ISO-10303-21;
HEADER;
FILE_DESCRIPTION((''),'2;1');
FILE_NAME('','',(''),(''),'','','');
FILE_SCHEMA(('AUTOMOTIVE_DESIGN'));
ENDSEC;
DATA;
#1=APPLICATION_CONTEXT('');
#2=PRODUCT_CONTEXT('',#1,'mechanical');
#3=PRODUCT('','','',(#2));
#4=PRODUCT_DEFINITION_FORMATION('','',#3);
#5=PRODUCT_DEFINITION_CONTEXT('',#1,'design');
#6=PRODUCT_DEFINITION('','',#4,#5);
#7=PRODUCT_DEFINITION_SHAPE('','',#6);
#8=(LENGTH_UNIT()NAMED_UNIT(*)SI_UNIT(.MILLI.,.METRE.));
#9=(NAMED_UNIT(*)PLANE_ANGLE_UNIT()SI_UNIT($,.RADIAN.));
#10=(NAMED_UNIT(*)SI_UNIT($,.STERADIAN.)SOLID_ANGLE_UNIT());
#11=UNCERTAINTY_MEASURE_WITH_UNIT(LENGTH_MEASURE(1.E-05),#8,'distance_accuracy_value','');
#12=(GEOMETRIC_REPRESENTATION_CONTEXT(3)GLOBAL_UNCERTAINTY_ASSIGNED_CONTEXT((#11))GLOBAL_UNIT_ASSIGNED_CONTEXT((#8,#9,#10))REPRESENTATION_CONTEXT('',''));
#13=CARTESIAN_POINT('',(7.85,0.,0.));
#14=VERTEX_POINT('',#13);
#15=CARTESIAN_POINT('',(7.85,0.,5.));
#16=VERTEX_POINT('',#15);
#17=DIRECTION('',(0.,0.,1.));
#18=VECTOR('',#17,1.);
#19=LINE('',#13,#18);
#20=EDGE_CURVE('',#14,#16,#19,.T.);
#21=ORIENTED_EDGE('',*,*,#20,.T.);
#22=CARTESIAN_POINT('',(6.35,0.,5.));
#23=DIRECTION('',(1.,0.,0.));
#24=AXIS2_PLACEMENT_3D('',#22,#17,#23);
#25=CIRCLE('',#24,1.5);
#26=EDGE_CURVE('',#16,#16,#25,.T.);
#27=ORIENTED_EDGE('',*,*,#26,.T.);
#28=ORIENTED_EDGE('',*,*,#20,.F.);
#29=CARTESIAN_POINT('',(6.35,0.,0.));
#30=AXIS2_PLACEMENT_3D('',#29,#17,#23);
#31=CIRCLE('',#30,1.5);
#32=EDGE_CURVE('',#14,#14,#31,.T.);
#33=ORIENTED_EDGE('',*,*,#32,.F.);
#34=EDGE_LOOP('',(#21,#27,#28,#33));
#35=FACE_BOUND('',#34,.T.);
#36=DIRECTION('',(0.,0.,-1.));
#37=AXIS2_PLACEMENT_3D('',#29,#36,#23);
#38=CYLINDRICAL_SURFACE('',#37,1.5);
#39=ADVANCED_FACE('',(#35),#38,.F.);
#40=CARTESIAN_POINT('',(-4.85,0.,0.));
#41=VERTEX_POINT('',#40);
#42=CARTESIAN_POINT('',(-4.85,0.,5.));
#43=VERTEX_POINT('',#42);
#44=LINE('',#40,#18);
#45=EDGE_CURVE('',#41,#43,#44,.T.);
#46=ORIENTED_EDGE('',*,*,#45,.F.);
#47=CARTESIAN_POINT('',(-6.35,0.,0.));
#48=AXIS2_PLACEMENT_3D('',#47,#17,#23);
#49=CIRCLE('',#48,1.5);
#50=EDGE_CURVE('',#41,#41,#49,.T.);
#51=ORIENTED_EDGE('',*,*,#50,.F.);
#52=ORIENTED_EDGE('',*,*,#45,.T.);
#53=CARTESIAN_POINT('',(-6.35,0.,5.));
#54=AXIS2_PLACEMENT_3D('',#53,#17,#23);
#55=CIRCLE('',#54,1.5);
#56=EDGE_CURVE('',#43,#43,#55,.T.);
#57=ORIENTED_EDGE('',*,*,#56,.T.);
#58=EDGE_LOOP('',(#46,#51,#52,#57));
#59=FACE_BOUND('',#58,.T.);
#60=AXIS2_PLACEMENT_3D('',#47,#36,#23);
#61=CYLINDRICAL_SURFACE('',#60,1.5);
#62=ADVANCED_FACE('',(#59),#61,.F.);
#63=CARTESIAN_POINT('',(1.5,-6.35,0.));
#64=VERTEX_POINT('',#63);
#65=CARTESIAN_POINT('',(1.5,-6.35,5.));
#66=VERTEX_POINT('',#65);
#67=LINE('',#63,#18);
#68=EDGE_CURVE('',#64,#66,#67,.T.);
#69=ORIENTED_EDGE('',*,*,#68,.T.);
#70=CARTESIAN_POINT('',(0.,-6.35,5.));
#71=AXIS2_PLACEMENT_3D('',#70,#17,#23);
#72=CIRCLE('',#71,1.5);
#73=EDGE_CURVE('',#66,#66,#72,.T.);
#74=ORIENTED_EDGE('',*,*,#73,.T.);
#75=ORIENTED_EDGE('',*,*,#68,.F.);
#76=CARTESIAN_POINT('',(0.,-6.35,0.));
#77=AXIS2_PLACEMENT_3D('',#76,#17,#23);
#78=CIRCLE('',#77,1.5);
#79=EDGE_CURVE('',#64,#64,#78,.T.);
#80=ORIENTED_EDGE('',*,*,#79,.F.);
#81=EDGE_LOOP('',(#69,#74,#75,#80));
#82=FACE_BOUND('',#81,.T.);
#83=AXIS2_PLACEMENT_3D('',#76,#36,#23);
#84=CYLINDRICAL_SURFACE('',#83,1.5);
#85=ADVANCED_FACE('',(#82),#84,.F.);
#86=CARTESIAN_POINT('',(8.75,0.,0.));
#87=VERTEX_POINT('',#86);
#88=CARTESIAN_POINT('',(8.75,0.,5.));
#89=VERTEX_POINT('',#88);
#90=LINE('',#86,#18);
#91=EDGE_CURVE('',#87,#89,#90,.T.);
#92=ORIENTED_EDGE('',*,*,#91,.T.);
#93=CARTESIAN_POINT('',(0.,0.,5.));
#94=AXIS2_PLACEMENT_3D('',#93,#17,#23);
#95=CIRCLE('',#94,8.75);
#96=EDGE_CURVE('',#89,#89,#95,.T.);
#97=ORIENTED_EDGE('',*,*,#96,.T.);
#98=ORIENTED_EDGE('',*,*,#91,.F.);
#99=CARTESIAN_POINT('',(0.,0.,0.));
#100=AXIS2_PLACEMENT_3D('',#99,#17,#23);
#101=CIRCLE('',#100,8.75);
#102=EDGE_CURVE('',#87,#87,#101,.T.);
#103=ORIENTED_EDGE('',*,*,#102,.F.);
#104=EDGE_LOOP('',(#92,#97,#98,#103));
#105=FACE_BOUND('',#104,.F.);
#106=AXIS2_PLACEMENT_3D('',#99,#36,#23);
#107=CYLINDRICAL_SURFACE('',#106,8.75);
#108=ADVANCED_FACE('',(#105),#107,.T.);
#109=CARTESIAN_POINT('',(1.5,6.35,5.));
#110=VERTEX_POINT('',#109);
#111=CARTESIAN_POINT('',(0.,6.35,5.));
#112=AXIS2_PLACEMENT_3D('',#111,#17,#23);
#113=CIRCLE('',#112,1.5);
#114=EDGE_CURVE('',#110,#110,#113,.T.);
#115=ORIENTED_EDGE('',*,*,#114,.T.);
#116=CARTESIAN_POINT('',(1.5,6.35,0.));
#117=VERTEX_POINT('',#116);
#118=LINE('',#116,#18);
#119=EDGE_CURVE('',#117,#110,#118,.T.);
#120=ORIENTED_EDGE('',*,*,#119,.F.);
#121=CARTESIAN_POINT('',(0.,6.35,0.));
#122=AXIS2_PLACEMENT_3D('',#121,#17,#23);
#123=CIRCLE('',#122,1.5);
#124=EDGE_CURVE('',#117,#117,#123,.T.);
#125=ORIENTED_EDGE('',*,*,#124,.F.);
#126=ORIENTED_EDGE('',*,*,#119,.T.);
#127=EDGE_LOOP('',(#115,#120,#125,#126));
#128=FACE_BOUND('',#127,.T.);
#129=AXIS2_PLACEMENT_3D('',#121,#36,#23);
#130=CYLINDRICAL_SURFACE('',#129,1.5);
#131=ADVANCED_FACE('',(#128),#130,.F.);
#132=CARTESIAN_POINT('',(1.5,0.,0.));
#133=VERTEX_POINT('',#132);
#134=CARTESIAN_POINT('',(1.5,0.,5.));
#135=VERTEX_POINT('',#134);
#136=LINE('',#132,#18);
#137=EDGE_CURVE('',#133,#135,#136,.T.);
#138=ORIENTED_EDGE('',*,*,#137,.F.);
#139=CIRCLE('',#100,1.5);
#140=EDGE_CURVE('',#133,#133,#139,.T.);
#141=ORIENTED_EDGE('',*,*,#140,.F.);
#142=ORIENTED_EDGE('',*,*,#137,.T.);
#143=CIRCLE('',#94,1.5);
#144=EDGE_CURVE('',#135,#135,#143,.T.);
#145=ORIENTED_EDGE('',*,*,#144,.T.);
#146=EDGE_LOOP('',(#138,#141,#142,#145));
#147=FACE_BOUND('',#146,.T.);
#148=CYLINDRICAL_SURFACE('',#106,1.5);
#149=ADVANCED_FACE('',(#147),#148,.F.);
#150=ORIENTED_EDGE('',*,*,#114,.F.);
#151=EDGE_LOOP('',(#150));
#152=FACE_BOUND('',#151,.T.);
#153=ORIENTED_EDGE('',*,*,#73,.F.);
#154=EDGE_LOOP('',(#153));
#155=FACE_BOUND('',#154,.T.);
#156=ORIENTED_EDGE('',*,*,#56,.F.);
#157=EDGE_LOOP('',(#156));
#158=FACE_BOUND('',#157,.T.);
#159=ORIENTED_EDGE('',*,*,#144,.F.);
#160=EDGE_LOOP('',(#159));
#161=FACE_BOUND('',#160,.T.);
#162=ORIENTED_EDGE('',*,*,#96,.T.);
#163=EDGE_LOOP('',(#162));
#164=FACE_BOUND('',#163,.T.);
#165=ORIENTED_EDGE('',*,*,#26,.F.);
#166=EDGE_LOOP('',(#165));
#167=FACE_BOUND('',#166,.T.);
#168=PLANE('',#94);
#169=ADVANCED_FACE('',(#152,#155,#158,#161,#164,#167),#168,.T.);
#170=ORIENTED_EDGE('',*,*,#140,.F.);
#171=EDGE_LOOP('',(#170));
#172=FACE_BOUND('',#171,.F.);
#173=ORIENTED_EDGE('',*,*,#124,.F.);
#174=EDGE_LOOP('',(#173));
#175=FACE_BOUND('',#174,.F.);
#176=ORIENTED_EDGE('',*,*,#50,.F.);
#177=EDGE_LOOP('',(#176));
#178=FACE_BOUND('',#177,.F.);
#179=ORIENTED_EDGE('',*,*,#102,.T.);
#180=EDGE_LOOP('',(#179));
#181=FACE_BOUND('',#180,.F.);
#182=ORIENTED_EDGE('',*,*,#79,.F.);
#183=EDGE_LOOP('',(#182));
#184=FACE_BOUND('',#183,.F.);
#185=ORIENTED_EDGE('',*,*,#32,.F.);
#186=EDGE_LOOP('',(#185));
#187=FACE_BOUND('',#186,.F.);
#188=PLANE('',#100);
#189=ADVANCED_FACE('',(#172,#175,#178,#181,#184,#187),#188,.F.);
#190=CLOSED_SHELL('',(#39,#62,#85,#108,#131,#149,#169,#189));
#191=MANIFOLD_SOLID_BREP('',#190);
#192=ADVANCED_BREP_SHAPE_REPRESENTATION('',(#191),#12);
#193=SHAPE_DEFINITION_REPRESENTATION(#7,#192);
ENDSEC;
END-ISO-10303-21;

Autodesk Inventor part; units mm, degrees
ref_plane "YZ Plane" through (0, 0, 0) normal (1, 0, 0) x (0, 1, 0)
ref_plane "XZ Plane" through (0, 0, 0) normal (0, 1, 0) x (-1, 0, 0)
ref_plane "XY Plane" through (0, 0, 0) normal (0, 0, 1) x (1, 0, 0)
sketch "Sketch1" plane through (0, 0, 0) normal (0, 0, 1) x (1, 0, 0)
  circle A0 centre (0, 0) radius 8.75
  circle A1 centre (0, 0) radius 1.5
  circle A2 centre (0, 6.35) radius 1.5
  circle A3 centre (-6.35, 0) radius 1.5
  circle A4 centre (0, -6.35) radius 1.5
  circle A5 centre (6.35, 0) radius 1.5
  dimension "d0" = 17.5
  dimension "d1" = 3
  dimension "d2" = 6.35
  dimension "d3" = 3
  dimension "d6" = 360
extrude "Extrusion1" add sketch "Sketch1" along normal blind 5
properties part number "motor_hub"
